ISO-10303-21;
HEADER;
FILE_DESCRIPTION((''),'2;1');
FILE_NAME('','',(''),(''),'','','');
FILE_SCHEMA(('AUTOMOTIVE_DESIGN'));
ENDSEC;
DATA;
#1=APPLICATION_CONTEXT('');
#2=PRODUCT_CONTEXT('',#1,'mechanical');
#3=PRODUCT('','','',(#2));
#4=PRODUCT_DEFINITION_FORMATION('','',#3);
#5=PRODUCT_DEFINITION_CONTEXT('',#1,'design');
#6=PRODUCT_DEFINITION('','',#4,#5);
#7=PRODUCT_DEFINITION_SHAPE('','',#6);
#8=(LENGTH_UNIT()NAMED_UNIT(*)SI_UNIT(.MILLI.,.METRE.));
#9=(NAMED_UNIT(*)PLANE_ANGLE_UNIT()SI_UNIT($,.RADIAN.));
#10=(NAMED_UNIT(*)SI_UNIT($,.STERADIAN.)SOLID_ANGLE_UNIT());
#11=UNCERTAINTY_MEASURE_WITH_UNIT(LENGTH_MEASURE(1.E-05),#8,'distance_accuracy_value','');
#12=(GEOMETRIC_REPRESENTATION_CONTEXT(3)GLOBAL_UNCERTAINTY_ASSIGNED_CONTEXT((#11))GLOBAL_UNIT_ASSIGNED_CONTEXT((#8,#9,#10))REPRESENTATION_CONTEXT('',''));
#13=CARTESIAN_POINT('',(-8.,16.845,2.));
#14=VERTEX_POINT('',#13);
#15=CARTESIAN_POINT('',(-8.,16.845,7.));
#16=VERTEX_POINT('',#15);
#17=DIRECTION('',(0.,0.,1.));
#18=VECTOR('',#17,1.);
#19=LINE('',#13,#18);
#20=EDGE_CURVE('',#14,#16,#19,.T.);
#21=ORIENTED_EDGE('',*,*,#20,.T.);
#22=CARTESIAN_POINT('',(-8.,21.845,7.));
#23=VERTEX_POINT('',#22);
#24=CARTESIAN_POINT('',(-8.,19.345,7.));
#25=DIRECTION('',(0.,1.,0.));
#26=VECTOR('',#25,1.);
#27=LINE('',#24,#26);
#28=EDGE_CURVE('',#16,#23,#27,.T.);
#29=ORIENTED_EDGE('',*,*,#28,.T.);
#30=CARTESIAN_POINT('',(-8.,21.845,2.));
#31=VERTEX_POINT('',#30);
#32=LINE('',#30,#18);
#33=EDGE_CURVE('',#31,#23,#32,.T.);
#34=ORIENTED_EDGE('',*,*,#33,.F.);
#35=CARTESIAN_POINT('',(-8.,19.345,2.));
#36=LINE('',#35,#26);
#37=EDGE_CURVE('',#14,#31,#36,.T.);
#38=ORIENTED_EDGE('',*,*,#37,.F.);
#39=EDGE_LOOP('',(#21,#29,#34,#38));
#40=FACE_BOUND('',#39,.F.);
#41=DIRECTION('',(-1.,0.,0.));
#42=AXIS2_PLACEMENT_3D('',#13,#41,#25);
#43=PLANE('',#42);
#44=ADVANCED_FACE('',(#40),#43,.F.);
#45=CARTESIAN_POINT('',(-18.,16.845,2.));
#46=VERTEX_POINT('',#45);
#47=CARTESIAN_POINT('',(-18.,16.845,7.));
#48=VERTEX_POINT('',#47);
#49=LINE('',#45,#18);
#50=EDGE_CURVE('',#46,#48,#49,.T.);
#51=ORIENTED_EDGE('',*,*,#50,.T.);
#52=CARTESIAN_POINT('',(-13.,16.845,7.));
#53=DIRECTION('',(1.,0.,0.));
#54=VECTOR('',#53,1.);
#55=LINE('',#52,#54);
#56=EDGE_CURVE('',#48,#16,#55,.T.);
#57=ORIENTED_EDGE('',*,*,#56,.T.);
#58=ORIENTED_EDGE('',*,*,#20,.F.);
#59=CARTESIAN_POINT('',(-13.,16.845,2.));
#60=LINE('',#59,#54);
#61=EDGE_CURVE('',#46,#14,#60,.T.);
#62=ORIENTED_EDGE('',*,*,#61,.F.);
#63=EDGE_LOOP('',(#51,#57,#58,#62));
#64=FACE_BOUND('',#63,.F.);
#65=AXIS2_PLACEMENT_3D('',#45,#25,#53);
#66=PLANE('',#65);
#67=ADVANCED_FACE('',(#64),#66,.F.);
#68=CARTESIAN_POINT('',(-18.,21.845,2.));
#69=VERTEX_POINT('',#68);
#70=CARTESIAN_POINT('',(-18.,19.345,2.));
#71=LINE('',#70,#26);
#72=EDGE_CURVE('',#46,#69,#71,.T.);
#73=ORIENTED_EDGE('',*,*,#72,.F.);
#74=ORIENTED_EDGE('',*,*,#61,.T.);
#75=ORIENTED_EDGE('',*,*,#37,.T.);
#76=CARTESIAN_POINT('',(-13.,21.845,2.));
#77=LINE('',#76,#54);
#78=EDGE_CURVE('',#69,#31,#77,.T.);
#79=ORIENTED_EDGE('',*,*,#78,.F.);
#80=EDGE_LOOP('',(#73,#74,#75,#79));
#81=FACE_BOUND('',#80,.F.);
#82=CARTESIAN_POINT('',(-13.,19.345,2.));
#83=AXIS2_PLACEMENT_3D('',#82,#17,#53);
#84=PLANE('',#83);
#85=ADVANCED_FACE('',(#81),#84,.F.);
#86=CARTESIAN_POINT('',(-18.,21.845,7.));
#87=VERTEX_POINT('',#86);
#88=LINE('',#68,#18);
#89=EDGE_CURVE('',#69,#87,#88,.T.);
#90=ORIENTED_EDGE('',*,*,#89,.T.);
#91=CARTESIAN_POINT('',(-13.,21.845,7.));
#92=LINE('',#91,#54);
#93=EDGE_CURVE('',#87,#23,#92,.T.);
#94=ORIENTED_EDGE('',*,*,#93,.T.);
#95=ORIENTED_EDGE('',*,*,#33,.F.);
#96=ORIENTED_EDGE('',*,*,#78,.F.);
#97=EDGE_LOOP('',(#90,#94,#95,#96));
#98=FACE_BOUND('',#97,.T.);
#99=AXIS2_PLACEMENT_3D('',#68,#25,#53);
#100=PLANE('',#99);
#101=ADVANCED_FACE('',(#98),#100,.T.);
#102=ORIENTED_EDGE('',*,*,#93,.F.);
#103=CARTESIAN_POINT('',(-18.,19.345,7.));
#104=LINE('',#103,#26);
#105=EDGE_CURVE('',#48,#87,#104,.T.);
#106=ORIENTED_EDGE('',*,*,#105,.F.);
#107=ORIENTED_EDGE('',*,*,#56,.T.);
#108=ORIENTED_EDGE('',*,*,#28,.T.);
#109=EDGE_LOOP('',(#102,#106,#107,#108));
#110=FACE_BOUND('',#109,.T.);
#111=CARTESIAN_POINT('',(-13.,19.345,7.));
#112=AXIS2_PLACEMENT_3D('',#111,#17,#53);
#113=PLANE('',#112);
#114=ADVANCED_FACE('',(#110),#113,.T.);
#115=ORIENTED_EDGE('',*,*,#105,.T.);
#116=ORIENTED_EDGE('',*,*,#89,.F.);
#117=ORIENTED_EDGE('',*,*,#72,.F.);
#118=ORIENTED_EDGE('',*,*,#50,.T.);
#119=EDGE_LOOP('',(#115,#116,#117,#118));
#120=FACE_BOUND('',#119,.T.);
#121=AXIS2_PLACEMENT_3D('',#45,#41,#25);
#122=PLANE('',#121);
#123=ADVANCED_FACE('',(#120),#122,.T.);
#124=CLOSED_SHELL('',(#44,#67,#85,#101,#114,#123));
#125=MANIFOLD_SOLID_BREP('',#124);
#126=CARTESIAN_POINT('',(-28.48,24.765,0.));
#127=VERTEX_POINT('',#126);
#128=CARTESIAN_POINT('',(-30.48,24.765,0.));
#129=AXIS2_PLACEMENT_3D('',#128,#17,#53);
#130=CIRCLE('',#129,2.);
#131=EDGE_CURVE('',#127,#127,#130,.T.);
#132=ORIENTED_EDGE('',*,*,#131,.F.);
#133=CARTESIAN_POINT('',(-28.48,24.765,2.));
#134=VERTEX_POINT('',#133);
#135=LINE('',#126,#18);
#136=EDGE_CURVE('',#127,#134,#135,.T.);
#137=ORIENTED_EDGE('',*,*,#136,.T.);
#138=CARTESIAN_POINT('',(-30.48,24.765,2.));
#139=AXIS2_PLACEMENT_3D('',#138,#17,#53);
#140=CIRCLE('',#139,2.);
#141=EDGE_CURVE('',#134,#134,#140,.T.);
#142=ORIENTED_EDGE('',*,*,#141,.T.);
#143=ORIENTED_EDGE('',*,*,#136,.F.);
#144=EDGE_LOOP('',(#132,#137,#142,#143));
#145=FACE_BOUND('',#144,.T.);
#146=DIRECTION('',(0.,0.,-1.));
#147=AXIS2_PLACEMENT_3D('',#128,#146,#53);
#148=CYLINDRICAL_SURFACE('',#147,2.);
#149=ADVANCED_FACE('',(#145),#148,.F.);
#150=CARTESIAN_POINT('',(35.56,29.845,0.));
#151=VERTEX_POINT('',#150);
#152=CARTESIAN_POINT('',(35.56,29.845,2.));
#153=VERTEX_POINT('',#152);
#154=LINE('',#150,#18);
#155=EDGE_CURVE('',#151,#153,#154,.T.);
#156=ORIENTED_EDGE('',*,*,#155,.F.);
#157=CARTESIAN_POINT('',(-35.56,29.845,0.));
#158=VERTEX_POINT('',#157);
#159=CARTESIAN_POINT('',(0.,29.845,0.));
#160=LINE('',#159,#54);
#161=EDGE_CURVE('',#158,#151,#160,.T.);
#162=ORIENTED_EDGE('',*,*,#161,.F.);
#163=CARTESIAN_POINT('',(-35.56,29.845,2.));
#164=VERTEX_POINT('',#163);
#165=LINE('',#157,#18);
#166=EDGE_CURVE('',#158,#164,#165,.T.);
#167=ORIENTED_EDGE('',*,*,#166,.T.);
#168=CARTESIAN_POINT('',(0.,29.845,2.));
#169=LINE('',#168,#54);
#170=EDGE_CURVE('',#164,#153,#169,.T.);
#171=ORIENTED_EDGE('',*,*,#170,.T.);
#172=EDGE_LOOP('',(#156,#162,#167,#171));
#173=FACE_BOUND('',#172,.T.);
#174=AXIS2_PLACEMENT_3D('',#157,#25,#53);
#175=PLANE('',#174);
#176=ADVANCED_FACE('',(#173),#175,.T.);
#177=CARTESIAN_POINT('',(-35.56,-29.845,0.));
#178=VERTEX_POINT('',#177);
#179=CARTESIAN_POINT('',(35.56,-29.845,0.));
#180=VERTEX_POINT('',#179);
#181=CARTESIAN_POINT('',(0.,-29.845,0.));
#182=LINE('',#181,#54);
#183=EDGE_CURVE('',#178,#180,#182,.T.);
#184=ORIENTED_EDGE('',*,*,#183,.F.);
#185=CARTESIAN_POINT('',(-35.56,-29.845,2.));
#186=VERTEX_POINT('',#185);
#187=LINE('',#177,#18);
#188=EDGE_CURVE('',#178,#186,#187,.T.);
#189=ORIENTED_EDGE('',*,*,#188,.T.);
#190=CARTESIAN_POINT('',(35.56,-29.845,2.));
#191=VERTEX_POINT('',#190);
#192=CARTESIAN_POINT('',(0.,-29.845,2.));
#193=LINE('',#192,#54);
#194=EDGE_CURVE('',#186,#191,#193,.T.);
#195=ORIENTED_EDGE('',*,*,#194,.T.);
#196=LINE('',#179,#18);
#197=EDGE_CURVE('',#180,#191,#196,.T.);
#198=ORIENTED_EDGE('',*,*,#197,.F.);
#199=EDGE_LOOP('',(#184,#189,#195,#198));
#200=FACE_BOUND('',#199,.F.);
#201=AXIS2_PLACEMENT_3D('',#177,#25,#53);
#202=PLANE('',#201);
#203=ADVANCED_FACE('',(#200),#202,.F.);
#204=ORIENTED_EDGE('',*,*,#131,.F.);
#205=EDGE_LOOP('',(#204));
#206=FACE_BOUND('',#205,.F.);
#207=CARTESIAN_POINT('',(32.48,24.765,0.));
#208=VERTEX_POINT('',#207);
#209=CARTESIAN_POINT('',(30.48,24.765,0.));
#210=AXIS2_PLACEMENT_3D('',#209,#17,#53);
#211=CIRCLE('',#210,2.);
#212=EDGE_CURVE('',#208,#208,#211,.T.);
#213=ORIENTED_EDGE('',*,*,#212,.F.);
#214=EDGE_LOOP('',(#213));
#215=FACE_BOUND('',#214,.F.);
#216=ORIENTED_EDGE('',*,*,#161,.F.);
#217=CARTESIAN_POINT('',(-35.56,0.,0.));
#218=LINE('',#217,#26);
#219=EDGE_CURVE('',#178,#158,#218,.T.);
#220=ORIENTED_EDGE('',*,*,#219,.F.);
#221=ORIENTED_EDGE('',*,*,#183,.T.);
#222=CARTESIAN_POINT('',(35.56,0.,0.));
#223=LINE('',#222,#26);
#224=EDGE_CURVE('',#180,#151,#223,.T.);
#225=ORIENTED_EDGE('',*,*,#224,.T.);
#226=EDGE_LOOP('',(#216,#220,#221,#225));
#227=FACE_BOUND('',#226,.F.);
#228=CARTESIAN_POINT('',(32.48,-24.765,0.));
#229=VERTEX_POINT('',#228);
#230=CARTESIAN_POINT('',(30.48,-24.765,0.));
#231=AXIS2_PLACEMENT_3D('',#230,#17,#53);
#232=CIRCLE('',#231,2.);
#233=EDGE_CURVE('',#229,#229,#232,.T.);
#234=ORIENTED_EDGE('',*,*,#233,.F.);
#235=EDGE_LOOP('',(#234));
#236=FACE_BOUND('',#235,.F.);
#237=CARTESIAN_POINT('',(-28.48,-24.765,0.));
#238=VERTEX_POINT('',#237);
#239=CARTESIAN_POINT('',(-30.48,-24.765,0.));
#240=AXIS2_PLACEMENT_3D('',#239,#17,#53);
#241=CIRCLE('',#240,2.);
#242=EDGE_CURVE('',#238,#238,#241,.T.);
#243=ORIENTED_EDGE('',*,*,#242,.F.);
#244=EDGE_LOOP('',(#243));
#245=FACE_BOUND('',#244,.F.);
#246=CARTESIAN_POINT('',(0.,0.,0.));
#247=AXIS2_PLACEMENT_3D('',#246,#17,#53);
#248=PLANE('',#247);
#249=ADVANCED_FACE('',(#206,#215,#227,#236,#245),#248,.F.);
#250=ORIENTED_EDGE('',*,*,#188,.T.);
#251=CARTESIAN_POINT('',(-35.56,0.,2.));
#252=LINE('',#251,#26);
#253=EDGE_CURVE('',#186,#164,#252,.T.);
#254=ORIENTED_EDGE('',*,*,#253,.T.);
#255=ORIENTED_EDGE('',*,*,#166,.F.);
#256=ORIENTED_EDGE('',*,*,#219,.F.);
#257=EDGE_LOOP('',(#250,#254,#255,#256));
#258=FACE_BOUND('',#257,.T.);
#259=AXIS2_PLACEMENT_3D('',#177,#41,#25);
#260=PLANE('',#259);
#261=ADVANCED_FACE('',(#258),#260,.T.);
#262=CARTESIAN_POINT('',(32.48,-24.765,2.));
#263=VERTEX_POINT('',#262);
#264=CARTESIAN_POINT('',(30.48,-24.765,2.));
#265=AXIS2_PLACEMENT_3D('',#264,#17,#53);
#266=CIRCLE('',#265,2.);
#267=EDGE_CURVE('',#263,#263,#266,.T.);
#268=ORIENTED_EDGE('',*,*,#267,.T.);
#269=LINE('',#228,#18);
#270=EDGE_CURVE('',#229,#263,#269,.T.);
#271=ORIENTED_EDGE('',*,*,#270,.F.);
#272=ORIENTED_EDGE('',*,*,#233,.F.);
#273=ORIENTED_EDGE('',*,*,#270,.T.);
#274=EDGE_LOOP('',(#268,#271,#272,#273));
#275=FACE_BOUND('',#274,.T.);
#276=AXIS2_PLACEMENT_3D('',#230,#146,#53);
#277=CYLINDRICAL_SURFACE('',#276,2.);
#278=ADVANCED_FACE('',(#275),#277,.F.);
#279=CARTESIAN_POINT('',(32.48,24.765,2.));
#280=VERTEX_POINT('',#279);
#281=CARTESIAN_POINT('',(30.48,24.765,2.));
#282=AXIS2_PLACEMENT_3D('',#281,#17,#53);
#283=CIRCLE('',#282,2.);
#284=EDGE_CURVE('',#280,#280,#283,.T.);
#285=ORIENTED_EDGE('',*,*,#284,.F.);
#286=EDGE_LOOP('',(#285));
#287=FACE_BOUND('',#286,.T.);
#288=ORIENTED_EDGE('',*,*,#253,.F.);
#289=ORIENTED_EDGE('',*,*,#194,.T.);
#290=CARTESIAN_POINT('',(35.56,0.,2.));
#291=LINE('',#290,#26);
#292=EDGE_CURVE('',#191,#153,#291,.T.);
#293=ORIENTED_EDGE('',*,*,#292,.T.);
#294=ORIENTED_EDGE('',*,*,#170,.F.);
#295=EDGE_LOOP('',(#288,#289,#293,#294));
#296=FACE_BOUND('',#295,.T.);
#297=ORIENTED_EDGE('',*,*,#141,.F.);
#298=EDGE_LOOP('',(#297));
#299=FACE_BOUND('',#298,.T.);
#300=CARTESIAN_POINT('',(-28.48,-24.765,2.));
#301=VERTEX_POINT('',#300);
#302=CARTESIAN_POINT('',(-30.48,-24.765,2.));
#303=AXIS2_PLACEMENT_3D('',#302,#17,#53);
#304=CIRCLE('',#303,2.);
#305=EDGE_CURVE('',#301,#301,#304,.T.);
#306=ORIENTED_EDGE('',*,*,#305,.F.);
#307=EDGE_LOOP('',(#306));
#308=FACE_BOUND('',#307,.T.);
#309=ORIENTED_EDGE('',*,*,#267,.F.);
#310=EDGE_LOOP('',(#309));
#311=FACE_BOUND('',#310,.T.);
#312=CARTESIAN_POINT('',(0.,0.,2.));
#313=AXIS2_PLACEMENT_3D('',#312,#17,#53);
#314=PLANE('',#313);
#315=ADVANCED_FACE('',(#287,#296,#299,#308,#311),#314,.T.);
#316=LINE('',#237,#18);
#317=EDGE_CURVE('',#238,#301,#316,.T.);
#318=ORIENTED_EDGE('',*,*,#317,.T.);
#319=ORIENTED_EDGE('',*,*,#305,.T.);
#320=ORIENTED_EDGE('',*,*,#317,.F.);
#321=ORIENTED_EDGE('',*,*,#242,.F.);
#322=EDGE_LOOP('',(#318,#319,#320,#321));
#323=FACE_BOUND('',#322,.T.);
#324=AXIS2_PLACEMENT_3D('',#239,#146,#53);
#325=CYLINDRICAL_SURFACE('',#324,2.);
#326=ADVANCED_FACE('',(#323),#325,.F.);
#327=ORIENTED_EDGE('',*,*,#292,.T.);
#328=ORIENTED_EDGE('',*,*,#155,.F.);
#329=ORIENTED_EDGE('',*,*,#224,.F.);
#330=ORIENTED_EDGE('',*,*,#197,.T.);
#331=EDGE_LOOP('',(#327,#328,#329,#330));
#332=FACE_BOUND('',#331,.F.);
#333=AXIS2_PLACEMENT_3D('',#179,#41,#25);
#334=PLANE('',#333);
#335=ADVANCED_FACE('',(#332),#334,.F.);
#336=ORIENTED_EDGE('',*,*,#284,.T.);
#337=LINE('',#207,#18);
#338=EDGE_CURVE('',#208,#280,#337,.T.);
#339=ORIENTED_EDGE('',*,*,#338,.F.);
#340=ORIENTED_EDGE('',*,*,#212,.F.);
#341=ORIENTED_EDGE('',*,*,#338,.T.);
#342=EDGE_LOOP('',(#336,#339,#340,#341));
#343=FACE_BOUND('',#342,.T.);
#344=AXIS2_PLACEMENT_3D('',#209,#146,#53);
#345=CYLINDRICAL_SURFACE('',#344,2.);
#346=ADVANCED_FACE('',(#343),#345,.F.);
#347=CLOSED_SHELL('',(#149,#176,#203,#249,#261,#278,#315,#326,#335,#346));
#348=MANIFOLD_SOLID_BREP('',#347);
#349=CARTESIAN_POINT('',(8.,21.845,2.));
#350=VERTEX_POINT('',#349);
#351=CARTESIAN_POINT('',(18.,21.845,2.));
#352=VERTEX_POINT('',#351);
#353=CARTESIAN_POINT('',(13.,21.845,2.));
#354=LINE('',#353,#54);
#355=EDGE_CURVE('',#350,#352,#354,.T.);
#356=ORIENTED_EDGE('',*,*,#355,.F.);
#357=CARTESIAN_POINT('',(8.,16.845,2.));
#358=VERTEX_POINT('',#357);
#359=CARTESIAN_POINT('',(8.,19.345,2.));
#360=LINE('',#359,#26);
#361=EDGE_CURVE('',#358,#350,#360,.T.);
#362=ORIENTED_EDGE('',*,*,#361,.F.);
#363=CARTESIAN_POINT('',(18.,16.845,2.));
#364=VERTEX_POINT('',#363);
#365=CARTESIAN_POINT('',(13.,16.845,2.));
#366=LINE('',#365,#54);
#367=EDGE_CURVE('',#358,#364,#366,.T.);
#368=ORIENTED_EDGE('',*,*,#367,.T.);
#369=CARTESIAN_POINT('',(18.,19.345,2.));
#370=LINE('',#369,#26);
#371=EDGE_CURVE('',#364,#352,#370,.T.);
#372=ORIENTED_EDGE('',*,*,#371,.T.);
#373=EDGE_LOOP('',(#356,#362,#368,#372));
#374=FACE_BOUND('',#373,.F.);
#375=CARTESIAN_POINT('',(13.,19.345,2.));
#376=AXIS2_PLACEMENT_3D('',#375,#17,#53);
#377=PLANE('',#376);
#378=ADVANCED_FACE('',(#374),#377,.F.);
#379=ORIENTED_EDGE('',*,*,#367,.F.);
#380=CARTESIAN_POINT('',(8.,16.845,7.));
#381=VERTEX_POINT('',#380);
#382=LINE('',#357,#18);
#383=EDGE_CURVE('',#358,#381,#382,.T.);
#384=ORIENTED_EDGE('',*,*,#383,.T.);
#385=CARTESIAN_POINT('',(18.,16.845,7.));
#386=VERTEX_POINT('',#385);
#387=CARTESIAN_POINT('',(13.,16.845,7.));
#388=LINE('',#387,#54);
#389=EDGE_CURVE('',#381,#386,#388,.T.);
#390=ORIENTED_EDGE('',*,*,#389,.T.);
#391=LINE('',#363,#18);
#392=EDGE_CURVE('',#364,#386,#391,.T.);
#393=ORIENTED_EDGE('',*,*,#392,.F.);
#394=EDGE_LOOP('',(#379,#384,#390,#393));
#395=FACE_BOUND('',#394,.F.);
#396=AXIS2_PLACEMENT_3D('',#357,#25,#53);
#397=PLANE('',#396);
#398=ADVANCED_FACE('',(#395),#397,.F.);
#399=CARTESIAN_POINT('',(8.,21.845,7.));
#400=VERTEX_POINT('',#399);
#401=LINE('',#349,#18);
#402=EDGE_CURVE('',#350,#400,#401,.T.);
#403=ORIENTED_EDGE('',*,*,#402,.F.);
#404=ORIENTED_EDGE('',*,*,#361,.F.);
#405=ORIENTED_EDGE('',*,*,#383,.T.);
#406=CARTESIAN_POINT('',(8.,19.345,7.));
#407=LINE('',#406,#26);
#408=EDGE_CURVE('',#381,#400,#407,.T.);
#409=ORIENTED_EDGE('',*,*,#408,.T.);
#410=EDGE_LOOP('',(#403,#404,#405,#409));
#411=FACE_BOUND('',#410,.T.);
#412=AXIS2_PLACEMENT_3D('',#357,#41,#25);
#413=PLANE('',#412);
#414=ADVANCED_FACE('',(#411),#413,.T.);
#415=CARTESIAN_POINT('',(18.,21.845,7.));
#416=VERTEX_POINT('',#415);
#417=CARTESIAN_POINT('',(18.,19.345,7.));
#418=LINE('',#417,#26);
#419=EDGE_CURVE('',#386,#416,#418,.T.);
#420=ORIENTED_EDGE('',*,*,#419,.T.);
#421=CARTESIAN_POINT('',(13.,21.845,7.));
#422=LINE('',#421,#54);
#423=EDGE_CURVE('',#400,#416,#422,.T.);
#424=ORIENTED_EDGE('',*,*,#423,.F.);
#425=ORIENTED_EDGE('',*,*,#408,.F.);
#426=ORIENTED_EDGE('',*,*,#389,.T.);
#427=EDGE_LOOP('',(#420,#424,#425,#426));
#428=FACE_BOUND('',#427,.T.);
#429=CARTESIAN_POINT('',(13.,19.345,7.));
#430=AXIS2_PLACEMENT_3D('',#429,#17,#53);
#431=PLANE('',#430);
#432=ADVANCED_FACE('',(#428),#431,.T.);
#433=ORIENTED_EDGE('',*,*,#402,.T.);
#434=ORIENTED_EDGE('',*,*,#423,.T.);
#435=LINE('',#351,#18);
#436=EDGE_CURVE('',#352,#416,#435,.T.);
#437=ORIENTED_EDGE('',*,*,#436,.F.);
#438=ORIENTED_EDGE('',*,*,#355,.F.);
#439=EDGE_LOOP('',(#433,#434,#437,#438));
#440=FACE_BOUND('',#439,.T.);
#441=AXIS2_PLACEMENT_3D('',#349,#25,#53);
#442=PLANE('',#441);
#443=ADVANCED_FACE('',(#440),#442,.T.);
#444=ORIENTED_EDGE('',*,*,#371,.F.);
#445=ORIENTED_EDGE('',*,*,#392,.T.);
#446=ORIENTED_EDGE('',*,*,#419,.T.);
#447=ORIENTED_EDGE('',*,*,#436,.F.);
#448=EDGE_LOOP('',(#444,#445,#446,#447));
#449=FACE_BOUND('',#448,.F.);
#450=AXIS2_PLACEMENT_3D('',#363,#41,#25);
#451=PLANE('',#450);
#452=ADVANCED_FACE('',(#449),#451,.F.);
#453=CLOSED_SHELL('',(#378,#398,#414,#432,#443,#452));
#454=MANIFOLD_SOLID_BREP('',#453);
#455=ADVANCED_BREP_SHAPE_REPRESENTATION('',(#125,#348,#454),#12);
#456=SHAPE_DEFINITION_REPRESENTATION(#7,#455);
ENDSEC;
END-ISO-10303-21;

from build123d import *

# Parameters (mm, degrees)
F0_W     = 71.12
F0_H     = 59.69
F0_R     = 2
F1_DEPTH = 2
F2_W     = 10
F2_H     = 5
F3_DEPTH = 5


with BuildPart() as f1:
    # F0 (on Top) → F1 (new body)
    with BuildSketch(Plane.XY):
        Rectangle(F0_W, F0_H)
        with Locations((-30.48, -24.765)):
            Circle(F0_R, mode=Mode.SUBTRACT)
        with Locations((30.48, -24.765)):
            Circle(F0_R, mode=Mode.SUBTRACT)
        with Locations((-30.48, 24.765)):
            Circle(F0_R, mode=Mode.SUBTRACT)
        with Locations((30.48, 24.765)):
            Circle(F0_R, mode=Mode.SUBTRACT)
    extrude(amount=F1_DEPTH)


with BuildPart() as f3:
    # F2 (on face) → F3 (new body)
    with BuildSketch(Plane.XY.offset(2)):
        with Locations((-13, 19.345)):
            Rectangle(F2_W, F2_H)
        with Locations((13, 19.345)):
            Rectangle(F2_W, F2_H)
    extrude(amount=F3_DEPTH)


solid = Compound([f1.part, f3.part])
